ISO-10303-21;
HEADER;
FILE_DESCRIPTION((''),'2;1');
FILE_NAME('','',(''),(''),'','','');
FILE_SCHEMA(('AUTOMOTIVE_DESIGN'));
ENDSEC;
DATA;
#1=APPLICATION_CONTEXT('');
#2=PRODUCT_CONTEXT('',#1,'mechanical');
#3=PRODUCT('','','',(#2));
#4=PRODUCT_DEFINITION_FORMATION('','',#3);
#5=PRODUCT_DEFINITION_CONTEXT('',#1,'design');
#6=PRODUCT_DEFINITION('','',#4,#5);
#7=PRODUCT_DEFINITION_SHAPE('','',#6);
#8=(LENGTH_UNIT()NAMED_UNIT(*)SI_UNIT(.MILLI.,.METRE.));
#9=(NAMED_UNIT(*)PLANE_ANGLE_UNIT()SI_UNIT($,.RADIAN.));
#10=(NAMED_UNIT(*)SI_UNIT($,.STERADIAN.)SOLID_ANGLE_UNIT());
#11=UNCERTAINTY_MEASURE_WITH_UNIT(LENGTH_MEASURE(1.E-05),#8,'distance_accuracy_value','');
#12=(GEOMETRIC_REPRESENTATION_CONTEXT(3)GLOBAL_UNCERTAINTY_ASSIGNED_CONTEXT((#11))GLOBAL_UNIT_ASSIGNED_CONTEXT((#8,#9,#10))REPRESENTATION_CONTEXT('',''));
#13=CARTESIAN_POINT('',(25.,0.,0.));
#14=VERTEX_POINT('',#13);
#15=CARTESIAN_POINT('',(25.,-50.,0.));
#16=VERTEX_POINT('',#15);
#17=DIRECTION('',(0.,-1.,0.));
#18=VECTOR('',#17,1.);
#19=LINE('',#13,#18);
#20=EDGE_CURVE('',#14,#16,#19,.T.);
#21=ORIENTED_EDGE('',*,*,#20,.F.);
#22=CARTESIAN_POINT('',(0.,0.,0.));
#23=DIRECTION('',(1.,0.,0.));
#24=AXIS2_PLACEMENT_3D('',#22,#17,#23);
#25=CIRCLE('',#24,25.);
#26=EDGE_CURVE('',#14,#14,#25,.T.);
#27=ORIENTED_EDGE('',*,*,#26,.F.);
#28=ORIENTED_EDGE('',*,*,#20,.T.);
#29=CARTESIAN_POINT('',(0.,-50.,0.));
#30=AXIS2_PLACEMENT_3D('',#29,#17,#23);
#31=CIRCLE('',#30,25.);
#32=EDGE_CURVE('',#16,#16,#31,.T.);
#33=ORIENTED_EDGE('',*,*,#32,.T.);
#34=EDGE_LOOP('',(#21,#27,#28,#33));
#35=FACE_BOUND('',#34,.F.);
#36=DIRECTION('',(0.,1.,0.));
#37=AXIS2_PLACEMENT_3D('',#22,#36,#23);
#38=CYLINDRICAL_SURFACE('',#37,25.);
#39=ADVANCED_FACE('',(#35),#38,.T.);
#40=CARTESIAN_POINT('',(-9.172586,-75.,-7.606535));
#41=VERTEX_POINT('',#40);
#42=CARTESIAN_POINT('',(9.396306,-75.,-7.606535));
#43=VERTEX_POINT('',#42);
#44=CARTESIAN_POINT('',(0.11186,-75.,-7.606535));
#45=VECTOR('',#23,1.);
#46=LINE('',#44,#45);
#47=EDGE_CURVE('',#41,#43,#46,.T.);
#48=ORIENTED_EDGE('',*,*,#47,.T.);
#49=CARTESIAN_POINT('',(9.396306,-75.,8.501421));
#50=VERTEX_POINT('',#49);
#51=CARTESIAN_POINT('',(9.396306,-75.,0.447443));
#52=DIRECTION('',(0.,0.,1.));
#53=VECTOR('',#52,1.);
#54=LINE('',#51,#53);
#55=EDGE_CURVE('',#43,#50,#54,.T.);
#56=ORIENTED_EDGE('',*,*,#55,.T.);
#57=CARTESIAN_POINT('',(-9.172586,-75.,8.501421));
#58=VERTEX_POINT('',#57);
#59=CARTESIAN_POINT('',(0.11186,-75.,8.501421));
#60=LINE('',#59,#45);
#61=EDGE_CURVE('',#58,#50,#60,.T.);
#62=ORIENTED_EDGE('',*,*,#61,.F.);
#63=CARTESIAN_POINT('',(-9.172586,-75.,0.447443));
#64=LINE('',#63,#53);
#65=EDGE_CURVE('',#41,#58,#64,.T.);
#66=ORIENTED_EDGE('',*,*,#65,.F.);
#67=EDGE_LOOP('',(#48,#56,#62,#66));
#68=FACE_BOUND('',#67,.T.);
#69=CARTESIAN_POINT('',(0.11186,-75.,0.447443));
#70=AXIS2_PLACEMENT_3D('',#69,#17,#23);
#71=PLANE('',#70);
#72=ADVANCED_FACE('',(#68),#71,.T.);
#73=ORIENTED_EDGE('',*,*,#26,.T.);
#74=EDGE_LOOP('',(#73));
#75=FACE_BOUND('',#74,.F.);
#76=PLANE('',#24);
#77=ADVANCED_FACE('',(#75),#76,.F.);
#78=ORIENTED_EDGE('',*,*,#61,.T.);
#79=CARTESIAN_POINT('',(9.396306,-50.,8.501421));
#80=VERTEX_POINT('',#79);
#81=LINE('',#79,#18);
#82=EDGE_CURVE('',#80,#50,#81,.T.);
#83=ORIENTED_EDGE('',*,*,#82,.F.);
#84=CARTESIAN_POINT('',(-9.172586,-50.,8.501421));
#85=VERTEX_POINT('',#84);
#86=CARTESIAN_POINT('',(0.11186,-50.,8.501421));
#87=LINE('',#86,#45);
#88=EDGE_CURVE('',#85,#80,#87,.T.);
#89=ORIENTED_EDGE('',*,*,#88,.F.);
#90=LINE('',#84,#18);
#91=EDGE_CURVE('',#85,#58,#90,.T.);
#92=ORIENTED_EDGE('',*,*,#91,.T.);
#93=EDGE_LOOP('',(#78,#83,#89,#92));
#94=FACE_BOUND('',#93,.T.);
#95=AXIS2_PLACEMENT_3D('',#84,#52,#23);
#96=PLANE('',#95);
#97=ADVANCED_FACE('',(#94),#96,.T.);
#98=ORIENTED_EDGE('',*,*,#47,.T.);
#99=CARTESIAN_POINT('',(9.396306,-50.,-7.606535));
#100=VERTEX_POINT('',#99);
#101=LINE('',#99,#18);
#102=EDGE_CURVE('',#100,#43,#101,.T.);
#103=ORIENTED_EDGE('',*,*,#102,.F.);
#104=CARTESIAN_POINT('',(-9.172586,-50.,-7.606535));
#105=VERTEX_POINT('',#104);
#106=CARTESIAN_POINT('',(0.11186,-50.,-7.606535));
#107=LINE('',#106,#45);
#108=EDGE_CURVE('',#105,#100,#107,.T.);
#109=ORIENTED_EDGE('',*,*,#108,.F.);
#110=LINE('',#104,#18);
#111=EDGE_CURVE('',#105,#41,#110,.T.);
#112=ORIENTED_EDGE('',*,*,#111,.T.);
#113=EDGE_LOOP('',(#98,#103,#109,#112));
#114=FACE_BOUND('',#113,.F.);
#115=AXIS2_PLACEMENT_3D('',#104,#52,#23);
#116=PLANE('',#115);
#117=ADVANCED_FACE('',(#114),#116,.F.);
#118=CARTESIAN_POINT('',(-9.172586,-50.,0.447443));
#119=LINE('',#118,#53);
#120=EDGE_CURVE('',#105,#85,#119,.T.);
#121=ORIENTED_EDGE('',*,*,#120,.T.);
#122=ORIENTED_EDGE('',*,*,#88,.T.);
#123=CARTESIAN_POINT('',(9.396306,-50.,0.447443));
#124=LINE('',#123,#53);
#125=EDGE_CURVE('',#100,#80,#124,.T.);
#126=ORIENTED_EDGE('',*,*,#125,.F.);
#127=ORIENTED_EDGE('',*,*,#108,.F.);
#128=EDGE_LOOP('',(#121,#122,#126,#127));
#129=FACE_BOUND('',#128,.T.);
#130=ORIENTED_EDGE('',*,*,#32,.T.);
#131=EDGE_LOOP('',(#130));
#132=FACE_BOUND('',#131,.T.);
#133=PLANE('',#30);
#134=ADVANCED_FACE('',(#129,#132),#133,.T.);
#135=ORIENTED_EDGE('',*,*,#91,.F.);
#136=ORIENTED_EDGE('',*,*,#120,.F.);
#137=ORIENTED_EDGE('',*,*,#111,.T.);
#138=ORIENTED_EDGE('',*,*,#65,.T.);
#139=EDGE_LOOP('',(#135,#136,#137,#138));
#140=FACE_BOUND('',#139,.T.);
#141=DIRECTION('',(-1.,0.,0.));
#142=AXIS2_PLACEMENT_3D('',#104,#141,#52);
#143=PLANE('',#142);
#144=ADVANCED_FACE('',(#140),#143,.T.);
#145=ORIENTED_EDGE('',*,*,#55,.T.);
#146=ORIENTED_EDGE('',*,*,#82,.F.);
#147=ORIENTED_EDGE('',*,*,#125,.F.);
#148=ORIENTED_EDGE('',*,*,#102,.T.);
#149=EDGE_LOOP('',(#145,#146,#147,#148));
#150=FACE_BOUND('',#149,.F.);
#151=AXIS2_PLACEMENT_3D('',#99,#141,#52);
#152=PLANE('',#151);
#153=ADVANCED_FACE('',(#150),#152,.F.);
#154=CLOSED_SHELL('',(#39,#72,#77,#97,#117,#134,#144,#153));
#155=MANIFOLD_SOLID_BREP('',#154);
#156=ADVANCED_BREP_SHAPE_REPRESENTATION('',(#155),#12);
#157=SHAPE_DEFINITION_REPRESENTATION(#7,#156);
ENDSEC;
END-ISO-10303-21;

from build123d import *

# Parameters (mm, degrees)
F0_R     = 25
F1_DEPTH = 50
F2_W     = 18.568892
F2_H     = 16.107955
F3_DEPTH = 25


with BuildPart() as f1:
    # F0 (on Front) → F1 (new body)
    with BuildSketch(Plane.XZ):
        Circle(F0_R)
    extrude(amount=F1_DEPTH)

    # F2 (on face) → F3 (join)
    with BuildSketch(Plane.XZ.offset(50)):
        with Locations((0.11186, 0.447443)):
            Rectangle(F2_W, F2_H)
    extrude(amount=F3_DEPTH)


solid = f1.part
